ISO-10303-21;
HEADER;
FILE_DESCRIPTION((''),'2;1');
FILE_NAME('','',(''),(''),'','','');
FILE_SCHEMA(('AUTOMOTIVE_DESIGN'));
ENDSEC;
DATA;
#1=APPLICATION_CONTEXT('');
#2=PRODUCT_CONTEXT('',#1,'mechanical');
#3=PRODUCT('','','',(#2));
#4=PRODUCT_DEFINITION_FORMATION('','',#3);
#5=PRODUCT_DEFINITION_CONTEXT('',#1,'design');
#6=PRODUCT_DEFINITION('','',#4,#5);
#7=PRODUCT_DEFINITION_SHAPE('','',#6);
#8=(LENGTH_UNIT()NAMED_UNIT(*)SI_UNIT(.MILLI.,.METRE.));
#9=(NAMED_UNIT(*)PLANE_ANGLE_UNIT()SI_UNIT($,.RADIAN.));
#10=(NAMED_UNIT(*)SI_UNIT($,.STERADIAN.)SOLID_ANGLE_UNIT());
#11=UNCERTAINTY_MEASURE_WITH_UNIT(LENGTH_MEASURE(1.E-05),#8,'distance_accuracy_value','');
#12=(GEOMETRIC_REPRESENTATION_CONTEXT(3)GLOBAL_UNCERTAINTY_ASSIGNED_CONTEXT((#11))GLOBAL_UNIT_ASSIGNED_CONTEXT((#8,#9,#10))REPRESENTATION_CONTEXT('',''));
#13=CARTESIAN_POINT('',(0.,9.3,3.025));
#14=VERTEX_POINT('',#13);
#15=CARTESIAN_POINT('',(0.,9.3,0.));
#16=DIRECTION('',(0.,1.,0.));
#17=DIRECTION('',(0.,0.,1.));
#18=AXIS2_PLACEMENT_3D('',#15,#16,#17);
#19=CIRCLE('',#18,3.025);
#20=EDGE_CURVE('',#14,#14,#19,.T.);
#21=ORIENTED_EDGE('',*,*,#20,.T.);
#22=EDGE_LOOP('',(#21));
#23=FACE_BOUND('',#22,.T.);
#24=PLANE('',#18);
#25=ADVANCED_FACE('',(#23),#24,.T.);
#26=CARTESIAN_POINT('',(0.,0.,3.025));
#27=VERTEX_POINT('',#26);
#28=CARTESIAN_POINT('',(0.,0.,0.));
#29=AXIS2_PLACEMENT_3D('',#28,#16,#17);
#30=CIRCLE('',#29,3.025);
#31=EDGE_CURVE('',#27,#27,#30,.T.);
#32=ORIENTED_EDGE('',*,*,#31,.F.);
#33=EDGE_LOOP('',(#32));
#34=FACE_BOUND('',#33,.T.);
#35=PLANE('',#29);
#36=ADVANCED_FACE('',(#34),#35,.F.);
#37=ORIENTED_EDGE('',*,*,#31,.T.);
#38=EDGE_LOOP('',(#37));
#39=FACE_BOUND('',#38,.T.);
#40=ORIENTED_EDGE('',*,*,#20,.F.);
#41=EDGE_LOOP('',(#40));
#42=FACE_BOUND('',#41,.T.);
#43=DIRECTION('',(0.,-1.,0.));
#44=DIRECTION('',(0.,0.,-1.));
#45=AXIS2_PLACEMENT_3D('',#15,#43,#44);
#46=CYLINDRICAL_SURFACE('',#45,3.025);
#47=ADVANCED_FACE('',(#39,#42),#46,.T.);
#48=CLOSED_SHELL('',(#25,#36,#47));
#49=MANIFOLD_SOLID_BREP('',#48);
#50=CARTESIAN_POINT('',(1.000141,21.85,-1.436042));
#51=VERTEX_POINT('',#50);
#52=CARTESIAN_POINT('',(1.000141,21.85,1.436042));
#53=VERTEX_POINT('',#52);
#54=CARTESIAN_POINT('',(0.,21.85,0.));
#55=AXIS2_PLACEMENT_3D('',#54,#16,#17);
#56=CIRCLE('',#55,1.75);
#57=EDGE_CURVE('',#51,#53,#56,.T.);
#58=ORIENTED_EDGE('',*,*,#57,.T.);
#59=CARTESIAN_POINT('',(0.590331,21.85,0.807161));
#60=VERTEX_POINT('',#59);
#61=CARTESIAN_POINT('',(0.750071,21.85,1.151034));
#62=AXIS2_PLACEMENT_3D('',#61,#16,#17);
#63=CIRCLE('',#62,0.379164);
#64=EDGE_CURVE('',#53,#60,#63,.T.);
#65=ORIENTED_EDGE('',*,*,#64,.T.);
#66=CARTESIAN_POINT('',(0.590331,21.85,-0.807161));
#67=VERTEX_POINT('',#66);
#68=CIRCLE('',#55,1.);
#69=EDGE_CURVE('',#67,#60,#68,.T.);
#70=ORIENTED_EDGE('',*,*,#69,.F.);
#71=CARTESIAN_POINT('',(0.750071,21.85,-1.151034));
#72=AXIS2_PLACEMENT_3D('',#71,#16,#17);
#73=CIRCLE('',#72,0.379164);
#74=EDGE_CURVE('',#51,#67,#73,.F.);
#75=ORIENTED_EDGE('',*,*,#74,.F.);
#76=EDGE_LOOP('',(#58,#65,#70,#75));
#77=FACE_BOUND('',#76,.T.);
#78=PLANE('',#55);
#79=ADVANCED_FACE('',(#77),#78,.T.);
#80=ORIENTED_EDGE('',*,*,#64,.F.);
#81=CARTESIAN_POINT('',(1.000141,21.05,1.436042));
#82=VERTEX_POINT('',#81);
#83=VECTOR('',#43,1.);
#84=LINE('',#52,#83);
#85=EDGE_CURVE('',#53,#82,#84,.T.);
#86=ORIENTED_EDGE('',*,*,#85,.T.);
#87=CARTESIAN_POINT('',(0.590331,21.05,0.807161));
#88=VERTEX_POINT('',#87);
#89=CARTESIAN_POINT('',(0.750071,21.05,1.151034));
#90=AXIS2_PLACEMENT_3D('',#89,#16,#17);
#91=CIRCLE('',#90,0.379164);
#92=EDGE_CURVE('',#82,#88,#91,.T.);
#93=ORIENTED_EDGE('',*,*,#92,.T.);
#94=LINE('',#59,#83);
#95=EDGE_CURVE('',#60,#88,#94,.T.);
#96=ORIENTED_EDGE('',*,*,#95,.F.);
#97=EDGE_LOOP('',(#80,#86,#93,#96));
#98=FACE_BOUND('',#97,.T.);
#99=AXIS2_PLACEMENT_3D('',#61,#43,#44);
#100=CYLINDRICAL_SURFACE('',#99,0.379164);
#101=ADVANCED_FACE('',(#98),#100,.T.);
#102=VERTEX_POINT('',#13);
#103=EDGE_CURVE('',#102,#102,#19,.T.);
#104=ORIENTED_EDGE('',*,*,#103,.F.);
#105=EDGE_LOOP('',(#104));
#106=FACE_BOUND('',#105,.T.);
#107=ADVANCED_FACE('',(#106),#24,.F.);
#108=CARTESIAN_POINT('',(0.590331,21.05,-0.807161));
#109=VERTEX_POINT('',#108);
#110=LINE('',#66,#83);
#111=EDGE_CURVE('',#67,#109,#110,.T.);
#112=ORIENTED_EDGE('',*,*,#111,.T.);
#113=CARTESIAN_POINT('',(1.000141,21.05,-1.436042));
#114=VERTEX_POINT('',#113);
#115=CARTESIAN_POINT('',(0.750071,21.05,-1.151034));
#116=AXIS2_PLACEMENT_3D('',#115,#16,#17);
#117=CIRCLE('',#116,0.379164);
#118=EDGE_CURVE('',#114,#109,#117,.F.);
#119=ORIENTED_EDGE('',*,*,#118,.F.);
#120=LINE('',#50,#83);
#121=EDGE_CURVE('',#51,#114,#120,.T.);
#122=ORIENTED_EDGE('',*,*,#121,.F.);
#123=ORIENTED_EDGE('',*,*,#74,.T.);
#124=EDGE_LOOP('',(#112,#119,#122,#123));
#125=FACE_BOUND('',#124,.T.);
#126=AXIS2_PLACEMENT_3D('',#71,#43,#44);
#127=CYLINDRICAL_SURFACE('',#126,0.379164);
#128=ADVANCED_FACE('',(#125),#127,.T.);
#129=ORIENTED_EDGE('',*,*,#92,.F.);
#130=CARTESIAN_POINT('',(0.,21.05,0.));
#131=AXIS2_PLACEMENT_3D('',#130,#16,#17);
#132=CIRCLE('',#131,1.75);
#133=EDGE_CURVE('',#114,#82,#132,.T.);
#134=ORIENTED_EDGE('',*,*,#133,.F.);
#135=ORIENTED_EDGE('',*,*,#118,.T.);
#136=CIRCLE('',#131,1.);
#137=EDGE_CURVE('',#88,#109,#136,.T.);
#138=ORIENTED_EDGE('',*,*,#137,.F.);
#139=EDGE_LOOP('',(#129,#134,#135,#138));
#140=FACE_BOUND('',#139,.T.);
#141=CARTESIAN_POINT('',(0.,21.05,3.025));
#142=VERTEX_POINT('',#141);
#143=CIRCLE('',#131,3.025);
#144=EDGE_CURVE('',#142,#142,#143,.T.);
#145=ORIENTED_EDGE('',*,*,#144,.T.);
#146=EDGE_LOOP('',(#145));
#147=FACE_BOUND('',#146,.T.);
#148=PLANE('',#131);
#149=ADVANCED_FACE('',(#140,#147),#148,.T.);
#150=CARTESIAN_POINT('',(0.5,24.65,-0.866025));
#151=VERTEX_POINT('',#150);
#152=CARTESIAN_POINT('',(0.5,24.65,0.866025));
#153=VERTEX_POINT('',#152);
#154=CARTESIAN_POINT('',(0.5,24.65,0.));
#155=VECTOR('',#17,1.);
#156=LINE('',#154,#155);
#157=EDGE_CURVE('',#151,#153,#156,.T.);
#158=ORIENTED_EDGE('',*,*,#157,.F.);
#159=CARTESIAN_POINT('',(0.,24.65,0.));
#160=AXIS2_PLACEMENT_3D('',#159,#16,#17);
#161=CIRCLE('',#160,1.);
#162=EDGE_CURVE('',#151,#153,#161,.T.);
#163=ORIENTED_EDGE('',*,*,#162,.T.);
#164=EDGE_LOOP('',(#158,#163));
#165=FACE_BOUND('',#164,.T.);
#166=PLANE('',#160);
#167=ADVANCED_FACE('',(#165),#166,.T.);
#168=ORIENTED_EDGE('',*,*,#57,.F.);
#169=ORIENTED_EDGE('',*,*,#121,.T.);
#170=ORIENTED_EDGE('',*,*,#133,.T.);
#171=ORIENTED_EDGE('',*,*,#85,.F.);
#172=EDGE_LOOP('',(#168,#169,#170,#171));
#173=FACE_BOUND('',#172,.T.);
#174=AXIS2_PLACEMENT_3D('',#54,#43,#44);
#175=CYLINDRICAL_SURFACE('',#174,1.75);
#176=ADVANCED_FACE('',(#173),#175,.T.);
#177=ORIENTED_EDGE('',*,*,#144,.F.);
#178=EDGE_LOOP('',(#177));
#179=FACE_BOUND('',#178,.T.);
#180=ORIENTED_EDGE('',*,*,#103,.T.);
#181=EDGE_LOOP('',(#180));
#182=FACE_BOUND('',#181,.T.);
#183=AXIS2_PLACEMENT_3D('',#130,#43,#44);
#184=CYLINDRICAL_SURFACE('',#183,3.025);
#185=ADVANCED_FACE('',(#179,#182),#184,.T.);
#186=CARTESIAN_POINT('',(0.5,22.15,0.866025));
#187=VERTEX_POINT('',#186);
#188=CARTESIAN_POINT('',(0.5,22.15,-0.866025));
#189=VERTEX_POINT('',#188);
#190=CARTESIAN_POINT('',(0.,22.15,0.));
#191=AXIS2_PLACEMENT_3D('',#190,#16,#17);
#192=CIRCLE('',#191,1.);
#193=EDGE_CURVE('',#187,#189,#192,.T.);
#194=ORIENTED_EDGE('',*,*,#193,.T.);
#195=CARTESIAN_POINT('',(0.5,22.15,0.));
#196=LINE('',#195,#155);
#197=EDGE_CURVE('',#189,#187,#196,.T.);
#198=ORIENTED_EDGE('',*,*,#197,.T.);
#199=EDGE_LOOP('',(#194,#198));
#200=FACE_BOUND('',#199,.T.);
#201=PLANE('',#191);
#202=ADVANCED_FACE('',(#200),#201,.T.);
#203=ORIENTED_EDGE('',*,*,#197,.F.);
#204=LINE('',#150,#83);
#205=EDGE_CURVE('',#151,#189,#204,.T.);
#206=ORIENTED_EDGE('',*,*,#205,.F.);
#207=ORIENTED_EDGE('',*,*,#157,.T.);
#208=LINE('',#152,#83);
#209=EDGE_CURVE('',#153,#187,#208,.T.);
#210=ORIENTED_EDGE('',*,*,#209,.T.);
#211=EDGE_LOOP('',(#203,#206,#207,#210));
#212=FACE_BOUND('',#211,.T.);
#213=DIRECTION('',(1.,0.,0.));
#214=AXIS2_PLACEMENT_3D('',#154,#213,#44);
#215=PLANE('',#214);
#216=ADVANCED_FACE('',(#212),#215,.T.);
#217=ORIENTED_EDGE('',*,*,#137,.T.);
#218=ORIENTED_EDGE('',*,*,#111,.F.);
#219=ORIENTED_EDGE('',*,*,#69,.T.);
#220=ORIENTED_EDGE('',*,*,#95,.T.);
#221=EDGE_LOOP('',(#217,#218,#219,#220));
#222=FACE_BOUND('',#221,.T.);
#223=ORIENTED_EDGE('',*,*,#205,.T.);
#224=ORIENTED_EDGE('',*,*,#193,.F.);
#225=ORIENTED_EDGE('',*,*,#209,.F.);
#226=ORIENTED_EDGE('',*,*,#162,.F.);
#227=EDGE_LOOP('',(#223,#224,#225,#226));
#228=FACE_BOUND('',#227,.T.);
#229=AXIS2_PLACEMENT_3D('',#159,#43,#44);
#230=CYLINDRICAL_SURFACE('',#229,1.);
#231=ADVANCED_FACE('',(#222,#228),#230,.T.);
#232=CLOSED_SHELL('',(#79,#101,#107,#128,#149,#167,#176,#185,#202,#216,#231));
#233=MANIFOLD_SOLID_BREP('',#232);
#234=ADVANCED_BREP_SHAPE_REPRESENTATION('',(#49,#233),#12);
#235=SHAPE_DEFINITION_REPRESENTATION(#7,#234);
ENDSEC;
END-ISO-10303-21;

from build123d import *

# Parameters (mm, degrees)
SKETCH3_R           = 3.025
BOSS_EXTRUDE1_DEPTH = 9.3
SKETCH4_R           = 3.025
BOSS_EXTRUDE4_DEPTH = 11.75
BOSS_EXTRUDE5_DEPTH = 0.8
BOSS_EXTRUDE6_DEPTH = 3.6
BOSS_EXTRUDE7_DEPTH = 1.1


with BuildPart() as part:
    # Sketch3 → Boss-Extrude1 (new body)
    with BuildSketch(Plane(origin=(0, 0, 0), x_dir=(1, 0, 0), z_dir=(0, 1, 0))):
        Circle(SKETCH3_R)
    extrude(amount=BOSS_EXTRUDE1_DEPTH)


with BuildPart() as body_2:
    # Sketch4 → Boss-Extrude4 (new body)
    with BuildSketch(Plane(origin=(0, 9.3, 0), x_dir=(1, 0, 0), z_dir=(0, 1, 0))):
        Circle(SKETCH4_R)
    extrude(amount=BOSS_EXTRUDE4_DEPTH)

    # Sketch5 → Boss-Extrude5 (add)
    with BuildSketch(Plane(origin=(0, 21.05, 0), x_dir=(1, 0, 0), z_dir=(0, 1, 0))):
        with BuildLine():
            ThreePointArc((0.5, -0.866025404), (-1, 0), (0.5, 0.866025404))
            ThreePointArc((0.5, 0.866025404), (0.5459595, 0.837811569), (0.590331188, 0.807161129))
            ThreePointArc((0.590331188, 0.807161129), (1.067738399, 0.9440258), (1.00014128, 1.436042276))
            ThreePointArc((1.00014128, 1.436042276), (-1.75, 0), (1.00014128, -1.436042276))
            ThreePointArc((1.00014128, -1.436042276), (1.067738399, -0.9440258), (0.590331188, -0.807161129))
            ThreePointArc((0.590331188, -0.807161129), (0.5459595, -0.837811569), (0.5, -0.866025404))
        make_face()
    extrude(amount=BOSS_EXTRUDE5_DEPTH)

    # Sketch5<4> → Boss-Extrude6 (add)
    with BuildSketch(Plane(origin=(0, 21.05, 0), x_dir=(1, 0, 0), z_dir=(0, 1, 0))):
        with BuildLine():
            Line((0.5, -0.866025404), (0.5, 0.866025404))
            ThreePointArc((0.5, 0.866025404), (-1, 0), (0.5, -0.866025404))
        make_face()
    extrude(amount=BOSS_EXTRUDE6_DEPTH)

    # Sketch5<5> → Boss-Extrude7 (add)
    with BuildSketch(Plane(origin=(0, 21.05, 0), x_dir=(1, 0, 0), z_dir=(0, 1, 0))):
        with BuildLine():
            ThreePointArc((0.590331188, 0.807161129), (0.5459595, 0.837811569), (0.5, 0.866025404))
            Line((0.5, 0.866025404), (0.5, -0.866025404))
            ThreePointArc((0.5, -0.866025404), (0.5459595, -0.837811569), (0.590331188, -0.807161129))
            ThreePointArc((0.590331188, -0.807161129), (1, 0), (0.590331188, 0.807161129))
        make_face()
    extrude(amount=BOSS_EXTRUDE7_DEPTH)


solid = Compound([part.part, body_2.part])
